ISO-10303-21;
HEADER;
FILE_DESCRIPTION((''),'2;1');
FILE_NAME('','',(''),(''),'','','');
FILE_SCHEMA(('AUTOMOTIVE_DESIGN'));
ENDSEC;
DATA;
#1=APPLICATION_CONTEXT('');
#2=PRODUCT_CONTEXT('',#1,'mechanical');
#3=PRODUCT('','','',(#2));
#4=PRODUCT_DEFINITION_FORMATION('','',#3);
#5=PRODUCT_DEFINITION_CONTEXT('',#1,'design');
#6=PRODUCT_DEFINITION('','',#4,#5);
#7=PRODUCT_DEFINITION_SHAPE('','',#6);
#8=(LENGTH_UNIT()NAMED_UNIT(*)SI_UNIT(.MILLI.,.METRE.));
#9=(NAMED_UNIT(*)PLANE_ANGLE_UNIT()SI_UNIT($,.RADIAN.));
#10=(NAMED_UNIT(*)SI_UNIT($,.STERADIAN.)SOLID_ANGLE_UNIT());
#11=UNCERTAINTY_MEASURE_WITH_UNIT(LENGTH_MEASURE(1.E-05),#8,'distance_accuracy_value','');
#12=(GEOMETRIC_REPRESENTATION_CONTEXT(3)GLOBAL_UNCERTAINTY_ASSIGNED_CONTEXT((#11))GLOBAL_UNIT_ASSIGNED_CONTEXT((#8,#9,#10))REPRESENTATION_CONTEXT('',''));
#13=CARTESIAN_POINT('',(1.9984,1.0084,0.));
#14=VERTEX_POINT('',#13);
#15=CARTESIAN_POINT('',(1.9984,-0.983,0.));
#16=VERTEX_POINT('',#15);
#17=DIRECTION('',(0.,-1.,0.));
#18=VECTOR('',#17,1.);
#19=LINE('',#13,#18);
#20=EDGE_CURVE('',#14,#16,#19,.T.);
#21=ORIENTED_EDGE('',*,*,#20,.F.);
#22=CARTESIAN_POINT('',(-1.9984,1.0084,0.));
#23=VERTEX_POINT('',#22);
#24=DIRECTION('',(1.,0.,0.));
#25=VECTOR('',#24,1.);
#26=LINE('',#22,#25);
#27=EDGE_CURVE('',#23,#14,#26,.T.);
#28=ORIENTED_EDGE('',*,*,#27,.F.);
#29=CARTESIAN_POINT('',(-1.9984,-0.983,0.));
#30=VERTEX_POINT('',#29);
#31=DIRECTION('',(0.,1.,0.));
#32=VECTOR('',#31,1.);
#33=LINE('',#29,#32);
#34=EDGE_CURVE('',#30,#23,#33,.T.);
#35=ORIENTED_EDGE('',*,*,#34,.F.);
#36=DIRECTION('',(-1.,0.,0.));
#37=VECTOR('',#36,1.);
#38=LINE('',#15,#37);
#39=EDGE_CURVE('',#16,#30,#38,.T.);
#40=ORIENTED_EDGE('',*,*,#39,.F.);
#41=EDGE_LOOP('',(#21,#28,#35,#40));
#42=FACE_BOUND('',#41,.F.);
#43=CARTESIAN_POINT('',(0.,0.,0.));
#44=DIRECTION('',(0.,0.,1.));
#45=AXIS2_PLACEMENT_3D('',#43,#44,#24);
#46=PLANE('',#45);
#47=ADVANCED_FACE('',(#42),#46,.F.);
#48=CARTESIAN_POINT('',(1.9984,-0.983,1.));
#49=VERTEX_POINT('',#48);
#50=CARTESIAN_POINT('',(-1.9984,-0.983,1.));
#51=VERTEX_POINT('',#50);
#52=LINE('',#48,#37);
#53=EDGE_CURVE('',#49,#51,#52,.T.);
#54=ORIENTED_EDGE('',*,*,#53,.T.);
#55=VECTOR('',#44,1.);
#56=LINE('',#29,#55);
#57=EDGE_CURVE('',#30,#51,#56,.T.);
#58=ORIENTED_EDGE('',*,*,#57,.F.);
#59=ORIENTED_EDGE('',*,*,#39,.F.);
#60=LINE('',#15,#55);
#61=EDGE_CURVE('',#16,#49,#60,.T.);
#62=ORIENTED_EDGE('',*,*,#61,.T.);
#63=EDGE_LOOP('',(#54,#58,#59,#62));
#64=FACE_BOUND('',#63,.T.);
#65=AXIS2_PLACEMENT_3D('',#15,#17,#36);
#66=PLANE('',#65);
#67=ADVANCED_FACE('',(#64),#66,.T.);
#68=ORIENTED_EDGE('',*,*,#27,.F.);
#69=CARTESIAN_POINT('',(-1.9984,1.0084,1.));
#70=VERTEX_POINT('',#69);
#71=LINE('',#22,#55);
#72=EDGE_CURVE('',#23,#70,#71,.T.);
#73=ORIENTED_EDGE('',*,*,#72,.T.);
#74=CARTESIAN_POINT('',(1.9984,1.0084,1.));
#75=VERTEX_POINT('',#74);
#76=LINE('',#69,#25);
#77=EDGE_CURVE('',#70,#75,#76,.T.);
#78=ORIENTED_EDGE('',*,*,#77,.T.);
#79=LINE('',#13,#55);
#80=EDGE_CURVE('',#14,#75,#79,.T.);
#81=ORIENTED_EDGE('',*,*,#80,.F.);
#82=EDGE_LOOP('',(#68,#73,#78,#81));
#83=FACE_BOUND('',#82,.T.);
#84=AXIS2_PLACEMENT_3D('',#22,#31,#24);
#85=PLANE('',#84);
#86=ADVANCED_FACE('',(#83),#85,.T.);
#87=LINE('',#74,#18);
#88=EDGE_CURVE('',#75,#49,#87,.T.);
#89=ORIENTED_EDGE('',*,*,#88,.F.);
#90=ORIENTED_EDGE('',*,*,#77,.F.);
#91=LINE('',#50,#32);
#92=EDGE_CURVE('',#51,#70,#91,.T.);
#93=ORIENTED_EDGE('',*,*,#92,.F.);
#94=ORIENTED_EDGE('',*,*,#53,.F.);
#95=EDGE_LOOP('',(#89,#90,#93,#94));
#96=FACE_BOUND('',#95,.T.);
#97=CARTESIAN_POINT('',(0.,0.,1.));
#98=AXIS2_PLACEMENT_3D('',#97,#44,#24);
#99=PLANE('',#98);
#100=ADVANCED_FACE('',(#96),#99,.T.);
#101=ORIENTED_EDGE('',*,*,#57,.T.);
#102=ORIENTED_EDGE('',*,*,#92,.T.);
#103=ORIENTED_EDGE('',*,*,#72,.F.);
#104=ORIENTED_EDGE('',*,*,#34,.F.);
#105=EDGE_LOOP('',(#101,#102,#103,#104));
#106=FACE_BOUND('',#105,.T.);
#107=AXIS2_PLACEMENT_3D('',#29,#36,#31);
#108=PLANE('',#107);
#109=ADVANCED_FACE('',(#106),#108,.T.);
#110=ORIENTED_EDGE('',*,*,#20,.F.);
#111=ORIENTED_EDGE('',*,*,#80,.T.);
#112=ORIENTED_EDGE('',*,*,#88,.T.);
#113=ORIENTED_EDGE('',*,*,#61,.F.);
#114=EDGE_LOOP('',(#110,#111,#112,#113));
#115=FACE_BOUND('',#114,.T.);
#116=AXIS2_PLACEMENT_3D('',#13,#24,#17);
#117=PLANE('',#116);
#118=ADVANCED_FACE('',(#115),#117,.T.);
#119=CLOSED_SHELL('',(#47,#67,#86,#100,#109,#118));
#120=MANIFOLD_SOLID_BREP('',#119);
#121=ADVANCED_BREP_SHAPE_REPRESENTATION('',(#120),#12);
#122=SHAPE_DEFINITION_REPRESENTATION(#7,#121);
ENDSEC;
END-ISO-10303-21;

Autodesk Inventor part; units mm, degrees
ref_plane "YZ Plane" through (0, 0, 0) normal (1, 0, 0) x (0, 1, 0)
ref_plane "XZ Plane" through (0, 0, 0) normal (0, 1, 0) x (-1, 0, 0)
ref_plane "XY Plane" through (0, 0, 0) normal (0, 0, 1) x (1, 0, 0)
sketch "M0805, 10K_16" plane through (0, 0, 0) normal (0, 0, 1) x (1, 0, 0)
  line L0 (-1.9984, 1.0084) -> (1.9984, 1.0084)
  line L1 (1.9984, 1.0084) -> (1.9984, -0.983)
  line L2 (1.9984, -0.983) -> (-1.9984, -0.983)
  line L3 (-1.9984, -0.983) -> (-1.9984, 1.0084)
extrude "Extrusion1" add sketch "M0805, 10K_16" along normal blind 1
properties part number "10K"
